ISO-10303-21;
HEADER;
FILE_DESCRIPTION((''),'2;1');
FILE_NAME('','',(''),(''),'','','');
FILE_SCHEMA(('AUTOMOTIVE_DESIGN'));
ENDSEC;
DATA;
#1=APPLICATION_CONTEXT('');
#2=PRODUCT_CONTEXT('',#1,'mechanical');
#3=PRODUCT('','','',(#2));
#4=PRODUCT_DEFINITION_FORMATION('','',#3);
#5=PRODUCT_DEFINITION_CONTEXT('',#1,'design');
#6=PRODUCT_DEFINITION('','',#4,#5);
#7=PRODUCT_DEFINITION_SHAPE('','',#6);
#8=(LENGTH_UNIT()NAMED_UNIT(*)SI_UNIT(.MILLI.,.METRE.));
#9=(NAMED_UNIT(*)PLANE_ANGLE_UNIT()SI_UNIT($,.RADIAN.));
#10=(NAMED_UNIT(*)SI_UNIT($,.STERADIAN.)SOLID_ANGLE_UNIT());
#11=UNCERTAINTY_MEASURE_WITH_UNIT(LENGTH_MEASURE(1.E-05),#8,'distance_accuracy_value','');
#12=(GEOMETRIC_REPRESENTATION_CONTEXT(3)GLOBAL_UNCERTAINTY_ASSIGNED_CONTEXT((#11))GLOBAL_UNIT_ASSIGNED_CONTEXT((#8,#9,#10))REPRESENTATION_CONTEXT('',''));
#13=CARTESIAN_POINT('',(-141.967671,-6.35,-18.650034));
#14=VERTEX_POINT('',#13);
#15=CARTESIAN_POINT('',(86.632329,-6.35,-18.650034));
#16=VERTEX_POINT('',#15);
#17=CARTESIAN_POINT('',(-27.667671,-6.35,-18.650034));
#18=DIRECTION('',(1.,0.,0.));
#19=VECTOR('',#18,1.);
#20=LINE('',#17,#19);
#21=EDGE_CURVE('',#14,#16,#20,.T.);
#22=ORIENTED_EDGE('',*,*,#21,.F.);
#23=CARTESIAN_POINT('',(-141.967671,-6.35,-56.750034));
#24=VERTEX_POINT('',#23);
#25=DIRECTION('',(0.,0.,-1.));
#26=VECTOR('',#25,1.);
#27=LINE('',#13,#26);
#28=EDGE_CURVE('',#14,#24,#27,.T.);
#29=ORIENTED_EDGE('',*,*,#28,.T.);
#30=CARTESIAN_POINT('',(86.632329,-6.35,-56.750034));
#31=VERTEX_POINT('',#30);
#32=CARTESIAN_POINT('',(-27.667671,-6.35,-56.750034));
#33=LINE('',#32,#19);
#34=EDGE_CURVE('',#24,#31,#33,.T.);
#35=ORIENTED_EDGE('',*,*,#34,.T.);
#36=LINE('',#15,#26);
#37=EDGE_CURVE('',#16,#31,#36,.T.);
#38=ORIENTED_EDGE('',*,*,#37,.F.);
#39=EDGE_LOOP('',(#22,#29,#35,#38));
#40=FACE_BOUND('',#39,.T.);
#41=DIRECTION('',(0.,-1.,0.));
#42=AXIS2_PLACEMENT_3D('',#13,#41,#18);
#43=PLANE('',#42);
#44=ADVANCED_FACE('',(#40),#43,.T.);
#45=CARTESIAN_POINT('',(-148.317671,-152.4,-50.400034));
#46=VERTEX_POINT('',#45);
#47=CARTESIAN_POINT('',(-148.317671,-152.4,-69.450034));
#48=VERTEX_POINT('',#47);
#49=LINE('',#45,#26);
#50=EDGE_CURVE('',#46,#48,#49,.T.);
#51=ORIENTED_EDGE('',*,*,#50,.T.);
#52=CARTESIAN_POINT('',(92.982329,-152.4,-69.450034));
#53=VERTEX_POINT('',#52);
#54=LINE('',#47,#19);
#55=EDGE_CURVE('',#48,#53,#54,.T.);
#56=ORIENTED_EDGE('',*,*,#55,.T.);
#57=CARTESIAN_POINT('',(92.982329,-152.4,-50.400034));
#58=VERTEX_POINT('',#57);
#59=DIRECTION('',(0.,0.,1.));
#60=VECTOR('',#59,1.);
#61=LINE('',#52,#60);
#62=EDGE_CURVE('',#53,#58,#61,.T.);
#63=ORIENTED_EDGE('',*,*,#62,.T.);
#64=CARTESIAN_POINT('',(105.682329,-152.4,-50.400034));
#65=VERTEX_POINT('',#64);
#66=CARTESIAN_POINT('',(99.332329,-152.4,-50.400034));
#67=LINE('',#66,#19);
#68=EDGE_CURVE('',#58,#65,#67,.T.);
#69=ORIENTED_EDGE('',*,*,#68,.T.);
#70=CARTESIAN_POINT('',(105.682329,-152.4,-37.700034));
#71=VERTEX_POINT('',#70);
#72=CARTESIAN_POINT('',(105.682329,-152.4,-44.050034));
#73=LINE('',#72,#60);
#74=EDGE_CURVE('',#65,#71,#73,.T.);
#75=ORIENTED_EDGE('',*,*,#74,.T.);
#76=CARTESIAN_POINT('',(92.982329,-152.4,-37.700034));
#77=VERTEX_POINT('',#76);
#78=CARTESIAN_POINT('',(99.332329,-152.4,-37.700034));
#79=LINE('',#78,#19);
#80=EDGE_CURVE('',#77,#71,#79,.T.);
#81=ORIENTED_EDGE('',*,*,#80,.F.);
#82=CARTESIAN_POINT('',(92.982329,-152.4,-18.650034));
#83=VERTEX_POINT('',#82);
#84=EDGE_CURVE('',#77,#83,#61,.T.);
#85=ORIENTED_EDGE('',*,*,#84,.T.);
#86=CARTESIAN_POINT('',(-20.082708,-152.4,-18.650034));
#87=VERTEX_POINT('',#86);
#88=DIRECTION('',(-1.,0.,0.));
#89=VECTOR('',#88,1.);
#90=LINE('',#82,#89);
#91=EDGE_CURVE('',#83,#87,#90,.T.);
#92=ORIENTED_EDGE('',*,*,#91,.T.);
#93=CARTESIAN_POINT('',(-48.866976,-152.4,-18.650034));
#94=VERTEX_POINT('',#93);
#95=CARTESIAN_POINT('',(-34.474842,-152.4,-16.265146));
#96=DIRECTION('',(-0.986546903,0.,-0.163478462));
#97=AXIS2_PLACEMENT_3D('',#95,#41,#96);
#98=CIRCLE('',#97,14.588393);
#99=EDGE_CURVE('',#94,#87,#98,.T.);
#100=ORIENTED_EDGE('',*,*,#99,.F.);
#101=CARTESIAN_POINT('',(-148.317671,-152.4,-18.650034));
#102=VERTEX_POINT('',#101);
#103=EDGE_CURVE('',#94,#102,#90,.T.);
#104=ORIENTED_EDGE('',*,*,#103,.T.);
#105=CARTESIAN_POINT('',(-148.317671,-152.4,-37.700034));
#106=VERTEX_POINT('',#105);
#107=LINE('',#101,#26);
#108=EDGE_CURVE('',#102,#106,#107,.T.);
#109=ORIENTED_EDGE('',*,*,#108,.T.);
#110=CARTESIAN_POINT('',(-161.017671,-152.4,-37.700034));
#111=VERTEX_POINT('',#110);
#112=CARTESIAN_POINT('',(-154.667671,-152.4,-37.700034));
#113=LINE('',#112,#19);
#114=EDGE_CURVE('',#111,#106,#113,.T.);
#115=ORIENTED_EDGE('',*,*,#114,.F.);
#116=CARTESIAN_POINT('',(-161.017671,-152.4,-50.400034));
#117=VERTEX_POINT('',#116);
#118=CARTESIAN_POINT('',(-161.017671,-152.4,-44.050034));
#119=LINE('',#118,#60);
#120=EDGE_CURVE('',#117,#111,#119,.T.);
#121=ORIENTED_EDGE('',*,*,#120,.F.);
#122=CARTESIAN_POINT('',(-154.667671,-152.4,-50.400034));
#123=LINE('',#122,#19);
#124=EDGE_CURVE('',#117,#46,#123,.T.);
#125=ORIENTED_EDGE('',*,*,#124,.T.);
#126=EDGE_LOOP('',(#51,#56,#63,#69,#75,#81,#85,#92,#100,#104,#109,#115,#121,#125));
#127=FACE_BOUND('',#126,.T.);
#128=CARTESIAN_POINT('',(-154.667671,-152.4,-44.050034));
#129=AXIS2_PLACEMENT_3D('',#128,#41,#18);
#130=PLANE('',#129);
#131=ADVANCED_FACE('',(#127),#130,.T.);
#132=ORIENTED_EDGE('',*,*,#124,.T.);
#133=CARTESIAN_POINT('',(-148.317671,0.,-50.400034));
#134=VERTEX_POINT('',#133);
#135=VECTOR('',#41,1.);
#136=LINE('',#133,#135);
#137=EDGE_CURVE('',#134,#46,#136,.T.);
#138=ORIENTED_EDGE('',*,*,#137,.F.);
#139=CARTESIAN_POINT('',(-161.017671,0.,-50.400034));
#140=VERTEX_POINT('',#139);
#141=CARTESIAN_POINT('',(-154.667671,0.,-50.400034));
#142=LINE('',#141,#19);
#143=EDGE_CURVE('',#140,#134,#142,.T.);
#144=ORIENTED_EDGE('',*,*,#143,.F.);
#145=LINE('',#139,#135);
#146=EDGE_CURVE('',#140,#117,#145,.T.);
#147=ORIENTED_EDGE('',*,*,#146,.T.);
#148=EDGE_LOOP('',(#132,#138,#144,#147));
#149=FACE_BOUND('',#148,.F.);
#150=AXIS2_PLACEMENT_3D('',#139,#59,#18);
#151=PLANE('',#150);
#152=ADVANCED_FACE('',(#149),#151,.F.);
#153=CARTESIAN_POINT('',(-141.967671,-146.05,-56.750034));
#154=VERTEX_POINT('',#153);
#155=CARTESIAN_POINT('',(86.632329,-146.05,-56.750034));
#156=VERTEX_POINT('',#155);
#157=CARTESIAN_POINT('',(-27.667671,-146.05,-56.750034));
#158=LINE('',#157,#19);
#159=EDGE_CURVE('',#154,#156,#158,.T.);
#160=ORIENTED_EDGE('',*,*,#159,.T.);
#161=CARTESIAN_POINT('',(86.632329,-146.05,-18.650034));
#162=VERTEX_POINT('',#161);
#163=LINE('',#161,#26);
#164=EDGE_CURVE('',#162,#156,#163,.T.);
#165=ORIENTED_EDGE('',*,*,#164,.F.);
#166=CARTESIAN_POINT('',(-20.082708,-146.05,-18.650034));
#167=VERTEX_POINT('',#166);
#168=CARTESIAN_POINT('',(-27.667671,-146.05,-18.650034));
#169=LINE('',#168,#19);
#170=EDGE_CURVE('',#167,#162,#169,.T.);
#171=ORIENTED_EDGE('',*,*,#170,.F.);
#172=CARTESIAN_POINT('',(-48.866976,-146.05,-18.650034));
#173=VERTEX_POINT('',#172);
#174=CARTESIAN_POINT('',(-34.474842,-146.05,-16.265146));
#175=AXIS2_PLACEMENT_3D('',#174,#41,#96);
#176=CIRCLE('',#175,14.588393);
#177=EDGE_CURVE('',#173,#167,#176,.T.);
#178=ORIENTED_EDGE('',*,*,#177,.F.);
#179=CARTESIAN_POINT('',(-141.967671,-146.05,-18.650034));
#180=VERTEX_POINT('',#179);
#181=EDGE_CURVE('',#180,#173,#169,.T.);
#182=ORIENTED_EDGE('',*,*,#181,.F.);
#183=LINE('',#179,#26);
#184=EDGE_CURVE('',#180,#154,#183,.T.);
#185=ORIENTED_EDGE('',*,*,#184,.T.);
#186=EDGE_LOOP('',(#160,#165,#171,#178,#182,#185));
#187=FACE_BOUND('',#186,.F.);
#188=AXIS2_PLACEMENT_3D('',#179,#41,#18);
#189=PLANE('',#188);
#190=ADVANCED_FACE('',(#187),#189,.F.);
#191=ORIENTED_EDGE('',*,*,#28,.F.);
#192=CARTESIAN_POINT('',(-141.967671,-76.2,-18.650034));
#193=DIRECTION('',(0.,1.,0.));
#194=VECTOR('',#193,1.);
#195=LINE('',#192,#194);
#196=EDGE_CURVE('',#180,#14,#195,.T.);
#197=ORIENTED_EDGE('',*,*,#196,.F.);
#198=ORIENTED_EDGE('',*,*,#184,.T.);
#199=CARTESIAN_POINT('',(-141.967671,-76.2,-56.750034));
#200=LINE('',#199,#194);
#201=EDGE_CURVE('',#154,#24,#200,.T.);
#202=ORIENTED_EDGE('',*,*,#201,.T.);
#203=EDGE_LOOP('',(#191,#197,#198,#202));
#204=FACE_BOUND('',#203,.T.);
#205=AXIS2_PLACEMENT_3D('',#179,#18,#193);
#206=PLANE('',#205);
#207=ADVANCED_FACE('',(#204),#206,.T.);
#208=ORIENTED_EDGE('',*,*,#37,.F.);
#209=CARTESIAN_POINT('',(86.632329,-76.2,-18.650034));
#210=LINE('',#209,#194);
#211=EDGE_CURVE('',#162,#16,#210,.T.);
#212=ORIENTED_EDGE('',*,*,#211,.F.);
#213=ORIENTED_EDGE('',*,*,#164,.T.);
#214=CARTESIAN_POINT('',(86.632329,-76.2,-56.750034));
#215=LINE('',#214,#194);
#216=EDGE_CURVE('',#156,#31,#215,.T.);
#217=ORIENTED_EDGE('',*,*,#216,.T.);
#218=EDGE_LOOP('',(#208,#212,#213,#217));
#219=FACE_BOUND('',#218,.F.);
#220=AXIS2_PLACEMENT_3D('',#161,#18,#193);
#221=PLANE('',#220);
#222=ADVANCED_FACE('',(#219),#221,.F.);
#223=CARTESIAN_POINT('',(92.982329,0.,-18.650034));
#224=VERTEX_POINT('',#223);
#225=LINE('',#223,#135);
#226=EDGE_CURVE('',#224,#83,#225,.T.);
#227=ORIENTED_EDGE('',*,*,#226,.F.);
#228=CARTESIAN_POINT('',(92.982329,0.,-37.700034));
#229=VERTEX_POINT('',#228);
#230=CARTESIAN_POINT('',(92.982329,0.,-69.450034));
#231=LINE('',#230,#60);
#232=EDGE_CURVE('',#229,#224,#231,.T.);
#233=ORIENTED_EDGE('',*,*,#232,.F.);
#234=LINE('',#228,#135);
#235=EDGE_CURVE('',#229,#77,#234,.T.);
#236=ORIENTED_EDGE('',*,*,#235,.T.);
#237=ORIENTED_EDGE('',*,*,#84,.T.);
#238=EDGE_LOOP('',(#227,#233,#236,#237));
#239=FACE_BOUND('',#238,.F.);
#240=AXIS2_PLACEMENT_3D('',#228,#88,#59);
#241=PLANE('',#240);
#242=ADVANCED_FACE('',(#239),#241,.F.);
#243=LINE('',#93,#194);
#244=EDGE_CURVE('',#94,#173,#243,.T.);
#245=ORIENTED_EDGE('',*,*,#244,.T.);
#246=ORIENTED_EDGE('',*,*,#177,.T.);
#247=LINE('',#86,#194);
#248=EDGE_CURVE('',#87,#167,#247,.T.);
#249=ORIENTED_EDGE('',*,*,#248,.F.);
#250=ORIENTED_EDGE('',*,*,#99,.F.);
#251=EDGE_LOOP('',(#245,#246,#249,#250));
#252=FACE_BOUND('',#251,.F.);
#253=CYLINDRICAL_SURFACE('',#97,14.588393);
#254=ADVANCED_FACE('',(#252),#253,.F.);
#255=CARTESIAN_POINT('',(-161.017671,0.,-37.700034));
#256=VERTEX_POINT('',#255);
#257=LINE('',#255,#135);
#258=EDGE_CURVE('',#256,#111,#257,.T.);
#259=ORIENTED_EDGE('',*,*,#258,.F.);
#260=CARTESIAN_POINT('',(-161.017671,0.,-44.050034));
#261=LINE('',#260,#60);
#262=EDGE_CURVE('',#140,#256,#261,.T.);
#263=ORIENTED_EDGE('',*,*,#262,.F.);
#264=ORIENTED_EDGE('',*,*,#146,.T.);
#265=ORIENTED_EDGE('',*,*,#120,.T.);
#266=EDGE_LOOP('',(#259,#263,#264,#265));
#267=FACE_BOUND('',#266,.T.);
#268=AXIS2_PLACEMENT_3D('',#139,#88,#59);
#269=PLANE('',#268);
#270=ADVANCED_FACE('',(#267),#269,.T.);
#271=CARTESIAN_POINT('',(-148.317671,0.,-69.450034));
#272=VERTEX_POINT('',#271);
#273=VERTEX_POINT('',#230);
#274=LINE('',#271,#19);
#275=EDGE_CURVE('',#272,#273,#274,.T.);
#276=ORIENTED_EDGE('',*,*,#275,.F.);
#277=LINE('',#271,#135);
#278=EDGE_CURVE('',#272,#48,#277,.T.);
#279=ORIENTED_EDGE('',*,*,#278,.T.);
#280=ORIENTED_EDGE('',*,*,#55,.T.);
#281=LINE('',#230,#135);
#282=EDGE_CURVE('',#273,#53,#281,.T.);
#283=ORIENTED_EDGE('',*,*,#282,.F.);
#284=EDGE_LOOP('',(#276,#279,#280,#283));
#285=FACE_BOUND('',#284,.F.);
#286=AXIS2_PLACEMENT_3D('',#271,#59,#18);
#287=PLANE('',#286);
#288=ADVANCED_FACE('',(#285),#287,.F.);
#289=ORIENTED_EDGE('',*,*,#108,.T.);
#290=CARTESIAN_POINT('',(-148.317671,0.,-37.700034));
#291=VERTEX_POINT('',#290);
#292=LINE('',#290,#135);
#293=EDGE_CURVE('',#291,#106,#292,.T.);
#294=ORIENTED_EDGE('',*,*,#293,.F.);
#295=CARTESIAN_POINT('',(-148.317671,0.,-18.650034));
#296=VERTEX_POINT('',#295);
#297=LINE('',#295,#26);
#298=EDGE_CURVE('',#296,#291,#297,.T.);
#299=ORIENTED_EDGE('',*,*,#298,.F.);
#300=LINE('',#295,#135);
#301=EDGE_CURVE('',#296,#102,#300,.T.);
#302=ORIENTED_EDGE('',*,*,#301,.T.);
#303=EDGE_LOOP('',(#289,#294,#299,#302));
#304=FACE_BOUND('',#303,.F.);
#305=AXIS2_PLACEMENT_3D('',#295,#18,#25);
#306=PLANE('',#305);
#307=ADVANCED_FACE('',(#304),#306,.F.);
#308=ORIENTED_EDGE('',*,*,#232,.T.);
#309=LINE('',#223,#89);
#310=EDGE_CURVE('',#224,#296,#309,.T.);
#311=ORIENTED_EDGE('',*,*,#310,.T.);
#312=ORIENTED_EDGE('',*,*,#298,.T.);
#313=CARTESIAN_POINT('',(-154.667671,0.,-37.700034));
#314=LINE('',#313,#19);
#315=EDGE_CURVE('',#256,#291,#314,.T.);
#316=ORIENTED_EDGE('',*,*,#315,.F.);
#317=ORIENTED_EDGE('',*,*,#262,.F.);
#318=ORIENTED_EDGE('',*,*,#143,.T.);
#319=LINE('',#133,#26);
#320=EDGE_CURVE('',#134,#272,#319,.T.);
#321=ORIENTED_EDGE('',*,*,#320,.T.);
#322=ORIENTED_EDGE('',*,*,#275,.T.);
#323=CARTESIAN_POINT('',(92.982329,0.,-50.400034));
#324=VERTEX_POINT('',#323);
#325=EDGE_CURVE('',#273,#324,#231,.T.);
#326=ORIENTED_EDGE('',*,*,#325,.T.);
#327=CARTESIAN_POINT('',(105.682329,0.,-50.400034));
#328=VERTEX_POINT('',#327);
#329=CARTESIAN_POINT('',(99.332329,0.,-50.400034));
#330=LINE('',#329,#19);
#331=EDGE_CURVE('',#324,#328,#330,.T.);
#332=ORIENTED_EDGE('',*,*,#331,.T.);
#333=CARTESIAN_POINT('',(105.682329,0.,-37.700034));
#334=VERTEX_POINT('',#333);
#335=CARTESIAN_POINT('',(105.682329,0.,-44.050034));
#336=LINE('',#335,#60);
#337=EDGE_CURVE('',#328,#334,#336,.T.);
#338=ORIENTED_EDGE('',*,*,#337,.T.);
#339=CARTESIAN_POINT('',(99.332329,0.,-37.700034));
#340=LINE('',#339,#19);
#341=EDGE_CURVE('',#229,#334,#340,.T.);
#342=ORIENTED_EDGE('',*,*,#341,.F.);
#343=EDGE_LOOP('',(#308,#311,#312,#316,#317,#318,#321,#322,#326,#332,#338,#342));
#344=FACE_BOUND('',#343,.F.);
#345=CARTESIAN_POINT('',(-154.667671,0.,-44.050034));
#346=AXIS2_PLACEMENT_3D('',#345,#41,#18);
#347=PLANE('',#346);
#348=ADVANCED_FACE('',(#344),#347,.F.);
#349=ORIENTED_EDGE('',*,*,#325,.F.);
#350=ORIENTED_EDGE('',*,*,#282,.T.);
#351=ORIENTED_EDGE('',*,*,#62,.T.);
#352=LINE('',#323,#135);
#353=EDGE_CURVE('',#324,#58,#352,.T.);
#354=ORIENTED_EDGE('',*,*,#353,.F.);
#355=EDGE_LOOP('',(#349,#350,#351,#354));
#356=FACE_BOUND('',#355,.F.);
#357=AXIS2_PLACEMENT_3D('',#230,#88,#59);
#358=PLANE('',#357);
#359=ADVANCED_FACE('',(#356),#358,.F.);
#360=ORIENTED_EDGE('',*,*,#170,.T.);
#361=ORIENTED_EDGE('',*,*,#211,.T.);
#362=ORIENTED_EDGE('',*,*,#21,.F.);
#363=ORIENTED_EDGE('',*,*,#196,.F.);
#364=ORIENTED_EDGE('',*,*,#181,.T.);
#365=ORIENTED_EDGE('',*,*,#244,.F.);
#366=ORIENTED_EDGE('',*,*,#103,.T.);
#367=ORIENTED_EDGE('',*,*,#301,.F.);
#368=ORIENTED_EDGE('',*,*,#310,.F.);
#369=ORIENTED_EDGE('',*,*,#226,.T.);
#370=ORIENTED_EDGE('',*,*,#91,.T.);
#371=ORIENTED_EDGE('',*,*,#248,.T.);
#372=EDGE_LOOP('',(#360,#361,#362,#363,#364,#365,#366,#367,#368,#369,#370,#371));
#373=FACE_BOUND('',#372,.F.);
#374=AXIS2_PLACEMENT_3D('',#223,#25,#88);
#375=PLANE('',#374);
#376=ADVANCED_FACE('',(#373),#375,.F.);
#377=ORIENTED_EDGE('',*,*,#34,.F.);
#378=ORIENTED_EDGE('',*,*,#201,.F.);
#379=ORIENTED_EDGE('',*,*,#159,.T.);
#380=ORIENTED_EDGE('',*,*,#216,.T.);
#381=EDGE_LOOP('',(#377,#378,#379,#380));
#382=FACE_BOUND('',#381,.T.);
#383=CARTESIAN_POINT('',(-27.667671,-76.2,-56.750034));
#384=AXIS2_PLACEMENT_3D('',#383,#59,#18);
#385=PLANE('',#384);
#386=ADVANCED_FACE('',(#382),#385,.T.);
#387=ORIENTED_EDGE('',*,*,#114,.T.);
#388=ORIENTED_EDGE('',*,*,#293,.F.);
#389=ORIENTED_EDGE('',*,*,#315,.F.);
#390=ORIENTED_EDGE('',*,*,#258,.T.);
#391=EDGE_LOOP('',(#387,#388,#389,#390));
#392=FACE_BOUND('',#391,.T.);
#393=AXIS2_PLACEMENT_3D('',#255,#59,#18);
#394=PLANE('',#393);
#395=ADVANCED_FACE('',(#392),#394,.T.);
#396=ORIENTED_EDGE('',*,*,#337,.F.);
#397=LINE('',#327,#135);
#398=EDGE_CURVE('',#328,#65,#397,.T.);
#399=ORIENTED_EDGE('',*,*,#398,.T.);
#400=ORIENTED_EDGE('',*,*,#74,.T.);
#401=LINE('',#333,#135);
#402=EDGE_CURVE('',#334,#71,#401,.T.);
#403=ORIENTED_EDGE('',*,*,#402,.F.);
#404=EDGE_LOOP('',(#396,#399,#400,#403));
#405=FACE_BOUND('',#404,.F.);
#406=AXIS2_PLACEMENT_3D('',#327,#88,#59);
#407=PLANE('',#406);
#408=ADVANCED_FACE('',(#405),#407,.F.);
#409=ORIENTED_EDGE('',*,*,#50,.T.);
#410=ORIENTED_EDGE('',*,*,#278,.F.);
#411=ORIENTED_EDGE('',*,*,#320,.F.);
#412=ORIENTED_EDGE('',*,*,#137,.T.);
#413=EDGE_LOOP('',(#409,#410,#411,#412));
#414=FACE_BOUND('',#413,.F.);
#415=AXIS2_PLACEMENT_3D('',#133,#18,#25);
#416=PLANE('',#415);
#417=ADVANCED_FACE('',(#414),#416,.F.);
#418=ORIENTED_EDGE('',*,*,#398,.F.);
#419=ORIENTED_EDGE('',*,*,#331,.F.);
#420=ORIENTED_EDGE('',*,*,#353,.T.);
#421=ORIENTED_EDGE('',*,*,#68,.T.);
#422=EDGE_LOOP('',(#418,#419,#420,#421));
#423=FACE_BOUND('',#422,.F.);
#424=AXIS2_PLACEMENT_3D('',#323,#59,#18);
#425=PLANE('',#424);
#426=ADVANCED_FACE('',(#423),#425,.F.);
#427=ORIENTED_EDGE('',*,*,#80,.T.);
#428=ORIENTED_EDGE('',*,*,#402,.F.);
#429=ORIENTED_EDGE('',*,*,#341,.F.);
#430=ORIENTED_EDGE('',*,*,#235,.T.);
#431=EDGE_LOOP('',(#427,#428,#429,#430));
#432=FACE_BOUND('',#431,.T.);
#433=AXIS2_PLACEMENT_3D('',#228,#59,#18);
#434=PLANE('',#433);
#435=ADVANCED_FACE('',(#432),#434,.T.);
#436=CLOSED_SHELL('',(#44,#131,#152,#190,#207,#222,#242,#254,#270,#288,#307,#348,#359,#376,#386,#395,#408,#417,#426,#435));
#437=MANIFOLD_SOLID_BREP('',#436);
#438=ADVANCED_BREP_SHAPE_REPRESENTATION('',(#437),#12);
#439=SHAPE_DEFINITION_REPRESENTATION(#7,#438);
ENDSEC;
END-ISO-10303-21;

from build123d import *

# Parameters (mm, degrees)
F0_W     = 12.7
F0_H     = 12.7
F1_DEPTH = 152.4
F2_W     = 228.6
F2_H     = 139.7
F3_DEPTH = 38.1
F5_DEPTH = 6.35


with BuildPart() as f1:
    # F0 (on Front) → F1 (new body)
    with BuildSketch(Plane.XZ):
        with Locations((-154.667671, -44.050034)):
            Rectangle(F0_W, F0_H)
        Polygon((92.982329, -18.650034), (-148.317671, -18.650034), (-148.317671, -37.700034), (-148.317671, -50.400034), (-148.317671, -69.450034), (92.982329, -69.450034), (92.982329, -50.400034), (92.982329, -37.700034), align=None)
        with Locations((99.332329, -44.050034)):
            Rectangle(F0_W, F0_H)
    extrude(amount=F1_DEPTH)

    # F2 (on face) → F3 (cut)
    with BuildSketch(Plane.XY.offset(-18.650034)):
        with Locations((-27.667671, -76.2)):
            Rectangle(F2_W, F2_H)
    extrude(amount=-F3_DEPTH, mode=Mode.SUBTRACT)

    # F4 (on face) → F5 (cut)
    with BuildSketch(Plane.XZ.offset(152.4)):
        with BuildLine():
            Line((-20.082708, -18.650034), (-48.866976, -18.650034))
            ThreePointArc((-48.866976, -18.650034), (-34.474842, -30.853539), (-20.082708, -18.650034))
        make_face()
    extrude(amount=-F5_DEPTH, mode=Mode.SUBTRACT)


solid = f1.part
